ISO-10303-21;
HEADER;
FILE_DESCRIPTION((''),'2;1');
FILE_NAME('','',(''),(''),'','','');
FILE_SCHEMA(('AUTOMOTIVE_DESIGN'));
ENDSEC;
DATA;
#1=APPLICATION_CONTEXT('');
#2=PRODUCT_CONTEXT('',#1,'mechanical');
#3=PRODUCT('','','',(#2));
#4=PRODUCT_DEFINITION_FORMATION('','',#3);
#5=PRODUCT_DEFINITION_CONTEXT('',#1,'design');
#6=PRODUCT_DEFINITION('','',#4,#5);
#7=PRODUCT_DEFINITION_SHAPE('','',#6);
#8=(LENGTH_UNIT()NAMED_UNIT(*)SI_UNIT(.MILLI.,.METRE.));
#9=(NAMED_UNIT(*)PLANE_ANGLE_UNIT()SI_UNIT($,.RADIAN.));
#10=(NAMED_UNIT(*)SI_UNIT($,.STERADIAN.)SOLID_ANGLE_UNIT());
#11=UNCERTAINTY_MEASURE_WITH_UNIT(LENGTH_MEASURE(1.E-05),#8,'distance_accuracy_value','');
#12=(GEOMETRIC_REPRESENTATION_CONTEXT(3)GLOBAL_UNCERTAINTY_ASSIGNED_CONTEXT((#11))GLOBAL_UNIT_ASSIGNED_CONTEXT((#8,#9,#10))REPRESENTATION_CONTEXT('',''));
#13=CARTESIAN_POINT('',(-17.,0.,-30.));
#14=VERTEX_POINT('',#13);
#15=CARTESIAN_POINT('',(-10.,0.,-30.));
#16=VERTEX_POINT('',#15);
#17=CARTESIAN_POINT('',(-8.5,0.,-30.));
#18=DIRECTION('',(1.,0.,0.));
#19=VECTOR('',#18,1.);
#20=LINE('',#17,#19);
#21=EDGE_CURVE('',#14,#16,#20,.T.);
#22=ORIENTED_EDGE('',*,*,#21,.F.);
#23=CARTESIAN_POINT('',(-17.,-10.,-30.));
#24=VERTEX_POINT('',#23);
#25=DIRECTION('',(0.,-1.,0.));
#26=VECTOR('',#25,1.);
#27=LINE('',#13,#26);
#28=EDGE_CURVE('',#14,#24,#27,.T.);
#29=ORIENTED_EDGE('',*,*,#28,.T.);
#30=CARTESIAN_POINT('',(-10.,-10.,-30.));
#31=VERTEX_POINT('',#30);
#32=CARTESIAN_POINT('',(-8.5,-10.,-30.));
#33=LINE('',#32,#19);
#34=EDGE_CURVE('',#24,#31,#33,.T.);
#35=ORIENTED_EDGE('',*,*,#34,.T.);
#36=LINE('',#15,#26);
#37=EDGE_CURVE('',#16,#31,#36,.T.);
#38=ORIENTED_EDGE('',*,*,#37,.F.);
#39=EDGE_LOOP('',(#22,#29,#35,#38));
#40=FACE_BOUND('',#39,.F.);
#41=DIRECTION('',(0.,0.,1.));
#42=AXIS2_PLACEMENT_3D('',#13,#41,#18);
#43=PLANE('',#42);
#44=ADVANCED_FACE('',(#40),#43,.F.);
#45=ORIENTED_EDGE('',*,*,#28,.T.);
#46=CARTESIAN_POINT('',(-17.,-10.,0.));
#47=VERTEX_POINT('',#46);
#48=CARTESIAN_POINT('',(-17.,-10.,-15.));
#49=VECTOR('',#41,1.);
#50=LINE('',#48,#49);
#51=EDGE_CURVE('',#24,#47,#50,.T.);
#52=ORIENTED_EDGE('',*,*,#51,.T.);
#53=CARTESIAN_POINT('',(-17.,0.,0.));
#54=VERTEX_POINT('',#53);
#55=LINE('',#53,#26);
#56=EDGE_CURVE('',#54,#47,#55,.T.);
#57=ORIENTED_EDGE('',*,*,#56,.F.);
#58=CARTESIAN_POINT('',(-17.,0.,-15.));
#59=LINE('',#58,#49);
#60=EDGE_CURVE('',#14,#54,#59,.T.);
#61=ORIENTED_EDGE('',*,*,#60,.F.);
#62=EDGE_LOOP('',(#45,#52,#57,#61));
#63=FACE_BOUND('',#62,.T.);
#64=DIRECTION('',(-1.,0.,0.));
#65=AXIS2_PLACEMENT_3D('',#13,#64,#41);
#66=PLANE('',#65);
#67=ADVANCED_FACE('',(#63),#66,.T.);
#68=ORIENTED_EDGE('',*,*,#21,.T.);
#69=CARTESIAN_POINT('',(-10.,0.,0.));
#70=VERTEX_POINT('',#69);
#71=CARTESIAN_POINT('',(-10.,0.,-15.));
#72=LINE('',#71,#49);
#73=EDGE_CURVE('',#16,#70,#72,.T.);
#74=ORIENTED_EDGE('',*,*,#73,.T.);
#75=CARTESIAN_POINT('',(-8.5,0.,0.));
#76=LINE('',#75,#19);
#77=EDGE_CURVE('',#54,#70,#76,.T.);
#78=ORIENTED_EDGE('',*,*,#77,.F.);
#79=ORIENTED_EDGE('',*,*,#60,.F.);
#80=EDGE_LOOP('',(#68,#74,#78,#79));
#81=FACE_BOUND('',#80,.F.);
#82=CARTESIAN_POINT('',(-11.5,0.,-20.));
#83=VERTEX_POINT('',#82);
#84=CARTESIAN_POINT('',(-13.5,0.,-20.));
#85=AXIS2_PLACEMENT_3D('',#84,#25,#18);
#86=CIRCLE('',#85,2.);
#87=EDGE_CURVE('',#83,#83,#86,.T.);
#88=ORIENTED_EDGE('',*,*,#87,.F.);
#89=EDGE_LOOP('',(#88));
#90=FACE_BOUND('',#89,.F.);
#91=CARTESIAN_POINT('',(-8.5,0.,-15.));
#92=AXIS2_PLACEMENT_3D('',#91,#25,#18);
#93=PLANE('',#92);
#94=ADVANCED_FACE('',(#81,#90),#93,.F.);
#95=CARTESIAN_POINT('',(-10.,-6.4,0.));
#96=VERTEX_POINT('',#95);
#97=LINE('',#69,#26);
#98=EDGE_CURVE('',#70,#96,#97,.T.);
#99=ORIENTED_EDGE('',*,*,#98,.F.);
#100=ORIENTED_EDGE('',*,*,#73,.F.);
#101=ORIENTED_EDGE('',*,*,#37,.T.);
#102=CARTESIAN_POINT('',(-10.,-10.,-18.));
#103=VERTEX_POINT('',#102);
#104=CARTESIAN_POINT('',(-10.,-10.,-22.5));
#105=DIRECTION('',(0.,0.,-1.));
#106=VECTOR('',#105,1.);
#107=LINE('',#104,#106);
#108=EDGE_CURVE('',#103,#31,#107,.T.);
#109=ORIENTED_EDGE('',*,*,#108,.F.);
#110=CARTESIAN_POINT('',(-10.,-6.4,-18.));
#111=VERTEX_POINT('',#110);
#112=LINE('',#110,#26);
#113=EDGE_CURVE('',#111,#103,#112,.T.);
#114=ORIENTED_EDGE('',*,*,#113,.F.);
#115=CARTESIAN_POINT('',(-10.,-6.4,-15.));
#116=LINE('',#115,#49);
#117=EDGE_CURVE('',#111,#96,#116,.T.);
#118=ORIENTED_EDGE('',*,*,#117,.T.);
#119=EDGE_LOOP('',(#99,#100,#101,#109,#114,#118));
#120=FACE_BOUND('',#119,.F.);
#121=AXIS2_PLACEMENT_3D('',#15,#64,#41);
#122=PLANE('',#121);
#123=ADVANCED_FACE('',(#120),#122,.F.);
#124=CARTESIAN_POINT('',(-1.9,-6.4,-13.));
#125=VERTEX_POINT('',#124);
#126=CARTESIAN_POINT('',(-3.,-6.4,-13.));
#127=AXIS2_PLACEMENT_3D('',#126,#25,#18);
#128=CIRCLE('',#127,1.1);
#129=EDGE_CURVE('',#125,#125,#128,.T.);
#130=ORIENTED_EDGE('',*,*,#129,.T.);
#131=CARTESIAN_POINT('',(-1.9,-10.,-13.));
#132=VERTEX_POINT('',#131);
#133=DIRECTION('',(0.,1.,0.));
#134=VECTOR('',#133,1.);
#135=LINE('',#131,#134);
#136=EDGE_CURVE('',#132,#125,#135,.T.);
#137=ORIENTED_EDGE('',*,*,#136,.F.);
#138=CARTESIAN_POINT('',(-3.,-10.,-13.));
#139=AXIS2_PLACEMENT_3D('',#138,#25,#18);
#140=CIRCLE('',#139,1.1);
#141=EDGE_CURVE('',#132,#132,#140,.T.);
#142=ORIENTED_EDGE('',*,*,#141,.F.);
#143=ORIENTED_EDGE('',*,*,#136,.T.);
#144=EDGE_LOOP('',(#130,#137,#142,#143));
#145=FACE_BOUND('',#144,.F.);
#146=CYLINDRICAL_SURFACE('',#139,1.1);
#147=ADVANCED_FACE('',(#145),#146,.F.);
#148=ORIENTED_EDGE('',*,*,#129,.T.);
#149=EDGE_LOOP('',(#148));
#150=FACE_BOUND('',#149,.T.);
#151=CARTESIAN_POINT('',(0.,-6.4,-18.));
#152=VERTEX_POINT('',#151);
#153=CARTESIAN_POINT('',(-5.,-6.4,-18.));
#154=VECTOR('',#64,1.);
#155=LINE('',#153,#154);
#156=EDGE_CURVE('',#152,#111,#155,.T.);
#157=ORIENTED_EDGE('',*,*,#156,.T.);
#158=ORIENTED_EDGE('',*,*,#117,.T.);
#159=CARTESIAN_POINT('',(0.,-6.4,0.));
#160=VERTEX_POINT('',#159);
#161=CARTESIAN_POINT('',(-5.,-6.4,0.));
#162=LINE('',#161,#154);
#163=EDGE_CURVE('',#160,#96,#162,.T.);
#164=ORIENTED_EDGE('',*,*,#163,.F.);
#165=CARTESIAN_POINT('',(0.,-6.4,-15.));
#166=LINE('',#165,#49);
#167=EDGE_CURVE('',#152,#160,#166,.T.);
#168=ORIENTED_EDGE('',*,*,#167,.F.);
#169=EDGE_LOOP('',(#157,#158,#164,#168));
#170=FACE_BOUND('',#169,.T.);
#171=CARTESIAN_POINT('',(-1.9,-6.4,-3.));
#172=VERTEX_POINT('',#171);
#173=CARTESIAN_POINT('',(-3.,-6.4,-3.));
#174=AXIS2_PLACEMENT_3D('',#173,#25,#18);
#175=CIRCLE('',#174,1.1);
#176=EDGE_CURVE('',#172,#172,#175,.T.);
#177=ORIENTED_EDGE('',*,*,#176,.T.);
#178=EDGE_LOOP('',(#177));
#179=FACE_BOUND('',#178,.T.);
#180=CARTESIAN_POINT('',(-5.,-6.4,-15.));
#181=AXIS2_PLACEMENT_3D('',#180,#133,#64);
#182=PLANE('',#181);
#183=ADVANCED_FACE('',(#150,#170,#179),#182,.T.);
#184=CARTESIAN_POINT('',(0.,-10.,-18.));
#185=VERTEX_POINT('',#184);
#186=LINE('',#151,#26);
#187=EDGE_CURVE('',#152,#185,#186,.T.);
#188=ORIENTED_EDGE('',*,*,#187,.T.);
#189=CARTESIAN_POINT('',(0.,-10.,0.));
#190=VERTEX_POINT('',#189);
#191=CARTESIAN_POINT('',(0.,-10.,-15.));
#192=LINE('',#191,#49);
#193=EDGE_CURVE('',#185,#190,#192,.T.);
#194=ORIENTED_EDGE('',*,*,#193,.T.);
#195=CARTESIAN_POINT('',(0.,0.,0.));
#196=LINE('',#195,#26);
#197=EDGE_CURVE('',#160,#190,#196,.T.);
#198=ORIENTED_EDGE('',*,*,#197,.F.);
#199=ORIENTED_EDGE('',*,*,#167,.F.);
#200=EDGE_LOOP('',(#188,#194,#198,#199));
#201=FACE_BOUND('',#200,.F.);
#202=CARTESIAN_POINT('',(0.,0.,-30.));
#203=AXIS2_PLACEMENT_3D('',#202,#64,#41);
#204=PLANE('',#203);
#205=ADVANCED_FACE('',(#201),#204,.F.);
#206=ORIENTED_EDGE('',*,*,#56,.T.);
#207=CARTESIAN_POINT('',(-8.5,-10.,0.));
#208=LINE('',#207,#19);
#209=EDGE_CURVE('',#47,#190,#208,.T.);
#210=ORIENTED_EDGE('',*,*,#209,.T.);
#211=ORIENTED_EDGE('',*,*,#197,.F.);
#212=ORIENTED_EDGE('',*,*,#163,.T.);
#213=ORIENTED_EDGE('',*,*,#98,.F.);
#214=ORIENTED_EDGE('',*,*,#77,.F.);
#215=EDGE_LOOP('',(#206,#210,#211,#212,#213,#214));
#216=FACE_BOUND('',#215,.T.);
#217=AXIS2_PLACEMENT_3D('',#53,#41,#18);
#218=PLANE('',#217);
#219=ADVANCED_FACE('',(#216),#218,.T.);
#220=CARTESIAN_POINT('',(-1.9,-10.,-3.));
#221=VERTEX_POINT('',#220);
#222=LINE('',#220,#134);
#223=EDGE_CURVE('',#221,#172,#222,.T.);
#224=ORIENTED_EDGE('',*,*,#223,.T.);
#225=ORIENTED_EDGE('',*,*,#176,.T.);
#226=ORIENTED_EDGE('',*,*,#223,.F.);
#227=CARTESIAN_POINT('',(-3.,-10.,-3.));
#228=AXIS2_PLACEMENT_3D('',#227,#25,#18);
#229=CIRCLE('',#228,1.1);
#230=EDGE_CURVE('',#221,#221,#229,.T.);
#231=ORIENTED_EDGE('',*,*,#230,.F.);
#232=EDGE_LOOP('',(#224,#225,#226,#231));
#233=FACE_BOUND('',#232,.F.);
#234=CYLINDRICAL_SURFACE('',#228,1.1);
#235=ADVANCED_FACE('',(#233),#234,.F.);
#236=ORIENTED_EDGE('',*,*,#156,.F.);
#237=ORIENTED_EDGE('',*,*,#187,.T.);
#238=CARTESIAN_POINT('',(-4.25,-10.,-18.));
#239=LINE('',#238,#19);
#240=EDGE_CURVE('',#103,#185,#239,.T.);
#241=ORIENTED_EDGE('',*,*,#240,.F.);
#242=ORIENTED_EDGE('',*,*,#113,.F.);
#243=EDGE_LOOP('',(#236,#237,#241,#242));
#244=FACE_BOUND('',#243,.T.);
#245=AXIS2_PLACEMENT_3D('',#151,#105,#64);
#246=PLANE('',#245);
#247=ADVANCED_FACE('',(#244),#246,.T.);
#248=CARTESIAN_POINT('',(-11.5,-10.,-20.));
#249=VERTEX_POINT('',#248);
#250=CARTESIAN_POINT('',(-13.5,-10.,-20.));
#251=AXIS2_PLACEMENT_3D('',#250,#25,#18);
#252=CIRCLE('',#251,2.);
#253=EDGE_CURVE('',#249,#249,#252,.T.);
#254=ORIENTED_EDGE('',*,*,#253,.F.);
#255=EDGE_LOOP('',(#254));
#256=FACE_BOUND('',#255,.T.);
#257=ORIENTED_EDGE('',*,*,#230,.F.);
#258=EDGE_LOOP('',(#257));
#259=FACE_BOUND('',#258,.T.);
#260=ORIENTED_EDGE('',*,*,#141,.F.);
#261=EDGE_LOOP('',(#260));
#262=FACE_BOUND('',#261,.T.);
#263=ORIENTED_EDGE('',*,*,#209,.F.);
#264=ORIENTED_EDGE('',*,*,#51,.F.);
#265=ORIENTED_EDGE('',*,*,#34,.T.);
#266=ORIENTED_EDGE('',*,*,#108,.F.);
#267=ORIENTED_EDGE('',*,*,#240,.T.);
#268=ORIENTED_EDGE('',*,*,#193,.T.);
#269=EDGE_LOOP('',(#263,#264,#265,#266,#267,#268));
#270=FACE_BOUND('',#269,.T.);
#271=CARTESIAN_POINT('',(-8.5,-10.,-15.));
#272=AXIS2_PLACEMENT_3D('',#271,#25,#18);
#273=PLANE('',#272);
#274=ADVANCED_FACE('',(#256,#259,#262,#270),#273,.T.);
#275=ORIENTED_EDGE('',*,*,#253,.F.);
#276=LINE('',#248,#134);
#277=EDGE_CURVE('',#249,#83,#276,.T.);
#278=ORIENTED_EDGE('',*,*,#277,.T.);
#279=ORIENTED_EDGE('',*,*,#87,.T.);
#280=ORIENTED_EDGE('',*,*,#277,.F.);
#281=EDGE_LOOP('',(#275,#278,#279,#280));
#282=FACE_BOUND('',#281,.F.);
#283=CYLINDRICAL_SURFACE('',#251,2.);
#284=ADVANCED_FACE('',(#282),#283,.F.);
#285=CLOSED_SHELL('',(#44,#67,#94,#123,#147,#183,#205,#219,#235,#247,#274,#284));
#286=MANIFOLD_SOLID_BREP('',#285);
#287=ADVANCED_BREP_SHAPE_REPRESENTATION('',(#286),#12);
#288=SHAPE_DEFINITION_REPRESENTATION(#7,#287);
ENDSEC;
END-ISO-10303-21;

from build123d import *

# Parameters (mm, degrees)
F0_W     = 17
F0_H     = 30
F1_DEPTH = 10
F2_W     = 10
F2_H     = 30
F3_DEPTH = 6.4
F4_R     = 2
F5_DEPTH = 25
F6_R     = 1.1
F7_DEPTH = 25
F8_W     = 10
F8_H     = 12
F9_DEPTH = 25


with BuildPart() as f1:
    # F0 (on Front) → F1 (new body)
    with BuildSketch(Plane.XZ):
        with Locations((-8.5, -15)):
            Rectangle(F0_W, F0_H)
    extrude(amount=F1_DEPTH)

    # F2 (on face) → F3 (cut)
    with BuildSketch(Plane(origin=(0, 0, 0), x_dir=(-1, 0, 0), z_dir=(0, 1, 0))):
        with Locations((5, -15)):
            Rectangle(F2_W, F2_H)
    extrude(amount=-F3_DEPTH, mode=Mode.SUBTRACT)

    # F4 (on face) → F5 (cut)
    with BuildSketch(Plane.XZ.offset(10)):
        with Locations((-13.5, -20)):
            Circle(F4_R)
    extrude(amount=-F5_DEPTH, mode=Mode.SUBTRACT)

    # F6 (on face) → F7 (cut)
    with BuildSketch(Plane.XZ.offset(10)):
        with Locations((-3, -3)):
            Circle(F6_R)
        with Locations((-3, -13)):
            Circle(F6_R)
    extrude(amount=-F7_DEPTH, mode=Mode.SUBTRACT)

    # F8 (on face) → F9 (cut)
    with BuildSketch(Plane(origin=(0, -6.4, 0), x_dir=(-1, 0, 0), z_dir=(0, 1, 0))):
        with Locations((5, -24)):
            Rectangle(F8_W, F8_H)
    extrude(amount=-F9_DEPTH, mode=Mode.SUBTRACT)


solid = f1.part
